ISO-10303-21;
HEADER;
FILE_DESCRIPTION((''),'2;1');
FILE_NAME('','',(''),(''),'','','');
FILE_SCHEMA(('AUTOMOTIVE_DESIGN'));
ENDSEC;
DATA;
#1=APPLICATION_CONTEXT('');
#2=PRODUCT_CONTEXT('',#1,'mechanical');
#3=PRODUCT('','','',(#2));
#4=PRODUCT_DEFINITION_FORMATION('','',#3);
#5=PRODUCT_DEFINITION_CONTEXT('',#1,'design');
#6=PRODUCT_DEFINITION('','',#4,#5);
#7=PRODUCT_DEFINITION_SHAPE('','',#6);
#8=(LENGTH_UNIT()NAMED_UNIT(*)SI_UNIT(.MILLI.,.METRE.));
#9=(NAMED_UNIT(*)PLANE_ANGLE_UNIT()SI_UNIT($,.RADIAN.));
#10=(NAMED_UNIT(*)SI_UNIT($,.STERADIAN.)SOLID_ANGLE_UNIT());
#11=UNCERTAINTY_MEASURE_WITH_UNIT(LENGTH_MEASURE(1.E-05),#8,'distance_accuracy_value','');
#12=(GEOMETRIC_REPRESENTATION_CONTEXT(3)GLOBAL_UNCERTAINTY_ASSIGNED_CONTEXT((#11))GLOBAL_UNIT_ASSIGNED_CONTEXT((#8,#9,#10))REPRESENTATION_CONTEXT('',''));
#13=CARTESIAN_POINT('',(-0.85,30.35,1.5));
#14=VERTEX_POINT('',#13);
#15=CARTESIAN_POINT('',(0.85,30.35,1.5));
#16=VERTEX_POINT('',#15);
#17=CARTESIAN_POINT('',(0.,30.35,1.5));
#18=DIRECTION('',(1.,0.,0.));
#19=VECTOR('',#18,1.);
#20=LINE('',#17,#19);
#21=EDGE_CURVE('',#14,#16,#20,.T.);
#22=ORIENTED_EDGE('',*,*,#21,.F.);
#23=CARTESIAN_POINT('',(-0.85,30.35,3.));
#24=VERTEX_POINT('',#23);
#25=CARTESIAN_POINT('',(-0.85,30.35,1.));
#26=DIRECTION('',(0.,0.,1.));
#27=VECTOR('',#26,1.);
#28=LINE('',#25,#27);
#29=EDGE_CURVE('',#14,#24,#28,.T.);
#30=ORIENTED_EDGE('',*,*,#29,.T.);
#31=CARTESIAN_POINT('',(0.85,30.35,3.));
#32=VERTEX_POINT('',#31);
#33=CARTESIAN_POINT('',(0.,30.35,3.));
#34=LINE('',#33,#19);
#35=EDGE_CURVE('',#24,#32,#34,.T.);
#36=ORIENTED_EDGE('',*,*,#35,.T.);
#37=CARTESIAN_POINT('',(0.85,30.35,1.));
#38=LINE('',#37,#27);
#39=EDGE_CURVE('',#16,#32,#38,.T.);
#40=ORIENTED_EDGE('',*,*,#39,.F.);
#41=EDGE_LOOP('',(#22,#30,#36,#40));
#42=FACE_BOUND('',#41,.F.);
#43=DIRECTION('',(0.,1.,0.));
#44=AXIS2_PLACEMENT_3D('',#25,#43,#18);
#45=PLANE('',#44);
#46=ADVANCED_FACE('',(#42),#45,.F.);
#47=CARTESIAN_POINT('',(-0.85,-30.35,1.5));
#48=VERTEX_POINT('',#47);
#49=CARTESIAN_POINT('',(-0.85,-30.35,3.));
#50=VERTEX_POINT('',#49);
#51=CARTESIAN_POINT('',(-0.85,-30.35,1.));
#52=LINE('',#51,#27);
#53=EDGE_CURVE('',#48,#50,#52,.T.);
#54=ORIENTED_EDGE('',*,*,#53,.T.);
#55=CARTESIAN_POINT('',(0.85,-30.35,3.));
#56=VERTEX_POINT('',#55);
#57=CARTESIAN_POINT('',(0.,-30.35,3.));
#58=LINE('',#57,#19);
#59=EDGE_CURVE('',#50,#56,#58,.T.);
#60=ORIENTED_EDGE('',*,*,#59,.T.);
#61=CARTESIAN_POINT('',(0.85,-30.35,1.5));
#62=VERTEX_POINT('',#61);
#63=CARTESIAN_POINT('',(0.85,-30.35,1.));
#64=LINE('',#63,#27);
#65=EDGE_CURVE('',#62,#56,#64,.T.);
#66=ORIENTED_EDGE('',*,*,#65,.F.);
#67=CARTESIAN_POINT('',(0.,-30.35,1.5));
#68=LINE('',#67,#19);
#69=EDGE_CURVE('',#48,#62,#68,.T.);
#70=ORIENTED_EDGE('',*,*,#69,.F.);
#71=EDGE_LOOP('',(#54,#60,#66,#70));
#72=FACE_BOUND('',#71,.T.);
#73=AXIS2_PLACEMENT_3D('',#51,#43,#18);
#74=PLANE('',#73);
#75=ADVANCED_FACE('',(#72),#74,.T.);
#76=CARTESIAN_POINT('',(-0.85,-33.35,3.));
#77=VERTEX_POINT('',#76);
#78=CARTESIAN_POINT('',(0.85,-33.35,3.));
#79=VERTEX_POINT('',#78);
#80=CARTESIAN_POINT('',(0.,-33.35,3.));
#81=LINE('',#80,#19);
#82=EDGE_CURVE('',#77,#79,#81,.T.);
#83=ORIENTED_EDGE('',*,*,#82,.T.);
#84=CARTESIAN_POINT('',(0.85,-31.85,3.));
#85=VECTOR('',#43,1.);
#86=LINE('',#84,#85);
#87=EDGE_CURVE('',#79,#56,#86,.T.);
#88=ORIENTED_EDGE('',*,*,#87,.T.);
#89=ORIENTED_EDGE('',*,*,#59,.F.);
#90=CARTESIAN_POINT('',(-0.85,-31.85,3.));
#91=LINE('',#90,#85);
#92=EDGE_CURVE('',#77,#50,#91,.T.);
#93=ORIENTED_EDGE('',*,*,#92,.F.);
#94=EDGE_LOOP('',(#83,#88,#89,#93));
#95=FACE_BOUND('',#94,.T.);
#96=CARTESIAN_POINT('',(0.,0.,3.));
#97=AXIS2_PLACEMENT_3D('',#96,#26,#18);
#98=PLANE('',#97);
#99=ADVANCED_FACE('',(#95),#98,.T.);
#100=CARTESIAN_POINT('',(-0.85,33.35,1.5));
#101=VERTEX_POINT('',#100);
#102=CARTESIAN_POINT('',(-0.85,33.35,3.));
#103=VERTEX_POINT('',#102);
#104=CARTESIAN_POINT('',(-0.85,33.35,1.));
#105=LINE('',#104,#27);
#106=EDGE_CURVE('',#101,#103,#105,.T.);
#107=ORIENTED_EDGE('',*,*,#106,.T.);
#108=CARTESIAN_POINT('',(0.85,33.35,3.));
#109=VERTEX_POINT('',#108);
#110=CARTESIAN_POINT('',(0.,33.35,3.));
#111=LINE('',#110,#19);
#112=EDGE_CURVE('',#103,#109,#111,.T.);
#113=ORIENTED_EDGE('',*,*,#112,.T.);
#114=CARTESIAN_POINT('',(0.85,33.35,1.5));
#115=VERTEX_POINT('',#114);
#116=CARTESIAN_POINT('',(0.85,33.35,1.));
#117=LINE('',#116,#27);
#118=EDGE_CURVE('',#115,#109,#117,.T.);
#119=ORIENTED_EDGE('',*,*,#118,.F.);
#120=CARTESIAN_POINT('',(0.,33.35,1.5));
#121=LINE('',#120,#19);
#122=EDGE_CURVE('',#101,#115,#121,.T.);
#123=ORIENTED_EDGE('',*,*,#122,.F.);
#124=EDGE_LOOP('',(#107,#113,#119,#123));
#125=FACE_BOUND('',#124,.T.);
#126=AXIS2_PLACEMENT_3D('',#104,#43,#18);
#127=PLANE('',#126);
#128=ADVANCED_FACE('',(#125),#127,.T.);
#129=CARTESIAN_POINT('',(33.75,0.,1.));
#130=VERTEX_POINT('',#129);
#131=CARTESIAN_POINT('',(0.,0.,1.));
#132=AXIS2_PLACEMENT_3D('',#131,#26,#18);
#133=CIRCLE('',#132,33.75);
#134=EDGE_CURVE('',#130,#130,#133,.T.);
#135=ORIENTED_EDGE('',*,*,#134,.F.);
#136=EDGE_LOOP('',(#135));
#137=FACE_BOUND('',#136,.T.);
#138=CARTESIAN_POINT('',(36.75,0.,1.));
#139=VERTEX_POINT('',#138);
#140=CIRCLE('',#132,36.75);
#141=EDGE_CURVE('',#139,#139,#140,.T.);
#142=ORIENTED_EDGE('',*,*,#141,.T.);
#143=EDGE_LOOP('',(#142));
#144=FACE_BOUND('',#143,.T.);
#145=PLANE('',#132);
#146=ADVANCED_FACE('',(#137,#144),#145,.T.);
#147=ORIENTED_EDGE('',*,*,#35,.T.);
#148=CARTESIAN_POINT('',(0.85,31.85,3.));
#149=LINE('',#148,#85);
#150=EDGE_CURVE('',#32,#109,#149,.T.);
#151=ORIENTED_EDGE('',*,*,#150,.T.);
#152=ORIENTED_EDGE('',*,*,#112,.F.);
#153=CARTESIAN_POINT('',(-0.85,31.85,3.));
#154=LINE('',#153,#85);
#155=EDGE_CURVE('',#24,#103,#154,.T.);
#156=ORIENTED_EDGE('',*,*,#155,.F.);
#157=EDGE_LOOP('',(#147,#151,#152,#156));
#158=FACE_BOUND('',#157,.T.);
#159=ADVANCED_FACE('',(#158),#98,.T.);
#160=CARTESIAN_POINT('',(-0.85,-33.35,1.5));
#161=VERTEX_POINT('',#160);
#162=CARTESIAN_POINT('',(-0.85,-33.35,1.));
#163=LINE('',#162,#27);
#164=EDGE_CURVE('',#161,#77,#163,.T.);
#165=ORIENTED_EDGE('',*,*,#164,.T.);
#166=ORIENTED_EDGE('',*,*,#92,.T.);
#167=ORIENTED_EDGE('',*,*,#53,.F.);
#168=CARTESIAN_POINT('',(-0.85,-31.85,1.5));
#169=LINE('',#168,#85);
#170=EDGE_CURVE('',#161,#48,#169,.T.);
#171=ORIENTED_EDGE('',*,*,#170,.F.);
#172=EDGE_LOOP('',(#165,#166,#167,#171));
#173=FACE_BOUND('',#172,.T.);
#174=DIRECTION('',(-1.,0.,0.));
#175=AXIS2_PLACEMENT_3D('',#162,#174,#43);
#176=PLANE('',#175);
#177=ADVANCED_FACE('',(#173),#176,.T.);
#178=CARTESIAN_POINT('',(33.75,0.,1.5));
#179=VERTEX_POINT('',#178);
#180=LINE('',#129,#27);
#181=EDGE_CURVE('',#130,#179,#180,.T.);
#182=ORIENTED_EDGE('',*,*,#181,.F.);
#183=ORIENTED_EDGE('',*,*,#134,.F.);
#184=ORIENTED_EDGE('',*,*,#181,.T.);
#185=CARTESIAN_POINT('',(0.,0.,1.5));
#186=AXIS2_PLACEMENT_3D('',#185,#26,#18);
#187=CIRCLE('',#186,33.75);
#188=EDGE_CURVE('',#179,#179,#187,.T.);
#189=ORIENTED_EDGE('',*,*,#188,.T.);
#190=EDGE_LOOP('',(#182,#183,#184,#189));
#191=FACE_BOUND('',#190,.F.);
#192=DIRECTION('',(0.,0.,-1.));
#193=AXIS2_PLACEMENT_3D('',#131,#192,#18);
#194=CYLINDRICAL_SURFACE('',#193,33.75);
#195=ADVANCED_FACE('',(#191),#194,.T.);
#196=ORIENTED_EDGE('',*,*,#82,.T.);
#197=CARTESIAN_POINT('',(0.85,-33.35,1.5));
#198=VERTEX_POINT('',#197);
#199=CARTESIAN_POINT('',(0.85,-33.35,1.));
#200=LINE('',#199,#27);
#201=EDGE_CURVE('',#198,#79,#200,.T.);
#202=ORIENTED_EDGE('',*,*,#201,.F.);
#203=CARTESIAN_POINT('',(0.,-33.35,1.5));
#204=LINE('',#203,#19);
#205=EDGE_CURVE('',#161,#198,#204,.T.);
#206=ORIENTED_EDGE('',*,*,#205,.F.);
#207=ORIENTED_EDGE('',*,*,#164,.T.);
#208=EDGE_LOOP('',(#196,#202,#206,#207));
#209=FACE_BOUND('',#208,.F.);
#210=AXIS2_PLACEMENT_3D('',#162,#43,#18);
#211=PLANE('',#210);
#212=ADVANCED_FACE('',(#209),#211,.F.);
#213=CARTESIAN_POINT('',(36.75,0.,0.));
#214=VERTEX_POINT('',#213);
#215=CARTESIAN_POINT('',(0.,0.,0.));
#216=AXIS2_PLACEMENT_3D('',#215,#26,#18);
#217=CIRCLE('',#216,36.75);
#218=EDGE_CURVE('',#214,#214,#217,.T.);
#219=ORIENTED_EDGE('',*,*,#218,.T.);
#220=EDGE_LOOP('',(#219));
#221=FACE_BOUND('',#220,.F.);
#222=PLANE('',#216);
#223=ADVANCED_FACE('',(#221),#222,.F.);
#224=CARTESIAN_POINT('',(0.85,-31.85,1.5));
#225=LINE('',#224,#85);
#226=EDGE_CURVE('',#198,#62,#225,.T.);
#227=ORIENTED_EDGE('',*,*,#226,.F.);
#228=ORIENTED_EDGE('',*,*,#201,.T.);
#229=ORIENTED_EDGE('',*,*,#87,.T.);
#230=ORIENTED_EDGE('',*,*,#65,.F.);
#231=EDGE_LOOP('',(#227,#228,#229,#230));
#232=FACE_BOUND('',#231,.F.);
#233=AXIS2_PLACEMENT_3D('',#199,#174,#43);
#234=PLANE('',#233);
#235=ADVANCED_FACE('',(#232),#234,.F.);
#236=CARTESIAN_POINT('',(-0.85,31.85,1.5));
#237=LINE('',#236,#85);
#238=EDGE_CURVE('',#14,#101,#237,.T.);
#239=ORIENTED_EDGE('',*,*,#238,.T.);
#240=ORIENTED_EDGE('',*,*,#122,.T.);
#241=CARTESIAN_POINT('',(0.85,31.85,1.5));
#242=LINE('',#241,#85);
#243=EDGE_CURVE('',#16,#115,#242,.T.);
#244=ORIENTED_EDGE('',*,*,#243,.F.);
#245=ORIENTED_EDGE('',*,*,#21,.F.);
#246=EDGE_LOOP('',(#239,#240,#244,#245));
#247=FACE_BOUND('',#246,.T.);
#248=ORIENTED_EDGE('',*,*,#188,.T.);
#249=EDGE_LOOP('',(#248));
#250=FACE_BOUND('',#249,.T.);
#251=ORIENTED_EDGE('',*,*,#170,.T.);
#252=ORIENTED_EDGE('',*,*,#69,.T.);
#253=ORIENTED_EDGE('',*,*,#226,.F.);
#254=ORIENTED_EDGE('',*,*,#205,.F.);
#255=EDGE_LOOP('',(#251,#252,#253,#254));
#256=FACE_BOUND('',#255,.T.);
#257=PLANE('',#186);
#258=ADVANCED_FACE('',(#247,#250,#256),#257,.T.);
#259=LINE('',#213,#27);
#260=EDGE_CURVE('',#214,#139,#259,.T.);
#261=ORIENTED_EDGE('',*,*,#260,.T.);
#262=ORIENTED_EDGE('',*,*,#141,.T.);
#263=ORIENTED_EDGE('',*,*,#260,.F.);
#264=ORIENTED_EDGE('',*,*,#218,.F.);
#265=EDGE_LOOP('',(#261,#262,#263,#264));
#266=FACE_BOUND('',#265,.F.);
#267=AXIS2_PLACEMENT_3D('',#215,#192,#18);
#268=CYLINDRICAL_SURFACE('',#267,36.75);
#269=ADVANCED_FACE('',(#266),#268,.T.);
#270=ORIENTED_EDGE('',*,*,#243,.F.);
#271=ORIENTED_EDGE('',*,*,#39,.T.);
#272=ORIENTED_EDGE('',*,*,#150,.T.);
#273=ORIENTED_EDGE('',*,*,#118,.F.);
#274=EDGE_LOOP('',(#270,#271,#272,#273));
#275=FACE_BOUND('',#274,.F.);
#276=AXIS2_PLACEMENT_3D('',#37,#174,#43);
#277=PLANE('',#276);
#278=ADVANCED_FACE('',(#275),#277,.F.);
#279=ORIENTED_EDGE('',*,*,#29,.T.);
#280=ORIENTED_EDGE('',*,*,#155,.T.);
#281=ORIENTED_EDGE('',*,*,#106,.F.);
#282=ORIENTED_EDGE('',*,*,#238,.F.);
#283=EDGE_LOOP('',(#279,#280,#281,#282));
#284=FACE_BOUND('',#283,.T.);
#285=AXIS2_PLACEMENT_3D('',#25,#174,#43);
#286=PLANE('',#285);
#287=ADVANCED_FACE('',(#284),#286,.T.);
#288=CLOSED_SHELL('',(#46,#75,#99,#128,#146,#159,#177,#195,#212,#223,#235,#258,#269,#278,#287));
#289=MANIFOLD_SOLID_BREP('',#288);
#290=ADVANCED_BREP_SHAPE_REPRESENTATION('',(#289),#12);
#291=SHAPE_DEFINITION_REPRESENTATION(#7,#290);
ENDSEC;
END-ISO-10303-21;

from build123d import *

# Parameters (mm, degrees)
F0_R     = 36.75
F1_DEPTH = 1
F2_R     = 33.75
F2_W     = 1.7
F2_H     = 3
F3_DEPTH = 0.5
F4_DEPTH = 2


with BuildPart() as f1:
    # F0 (on Top) → F1 (new body)
    with BuildSketch(Plane.XY):
        Circle(F0_R)
    extrude(amount=F1_DEPTH)

    # F2 (on face) → F3 (join)
    with BuildSketch(Plane.XY.offset(1)):
        Circle(F2_R)
        with Locations((0, -31.85)):
            Rectangle(F2_W, F2_H, mode=Mode.SUBTRACT)
        with Locations((0, 31.85)):
            Rectangle(F2_W, F2_H, mode=Mode.SUBTRACT)
    extrude(amount=F3_DEPTH)

    # F4 (add): faces of the model
    f4_faces = [f1.faces().sort_by_distance(p)[0] for p in [
        (0, -31.85, 1),
        (0, 31.85, 1),
    ]]
    extrude(f4_faces, amount=F4_DEPTH)


solid = f1.part
